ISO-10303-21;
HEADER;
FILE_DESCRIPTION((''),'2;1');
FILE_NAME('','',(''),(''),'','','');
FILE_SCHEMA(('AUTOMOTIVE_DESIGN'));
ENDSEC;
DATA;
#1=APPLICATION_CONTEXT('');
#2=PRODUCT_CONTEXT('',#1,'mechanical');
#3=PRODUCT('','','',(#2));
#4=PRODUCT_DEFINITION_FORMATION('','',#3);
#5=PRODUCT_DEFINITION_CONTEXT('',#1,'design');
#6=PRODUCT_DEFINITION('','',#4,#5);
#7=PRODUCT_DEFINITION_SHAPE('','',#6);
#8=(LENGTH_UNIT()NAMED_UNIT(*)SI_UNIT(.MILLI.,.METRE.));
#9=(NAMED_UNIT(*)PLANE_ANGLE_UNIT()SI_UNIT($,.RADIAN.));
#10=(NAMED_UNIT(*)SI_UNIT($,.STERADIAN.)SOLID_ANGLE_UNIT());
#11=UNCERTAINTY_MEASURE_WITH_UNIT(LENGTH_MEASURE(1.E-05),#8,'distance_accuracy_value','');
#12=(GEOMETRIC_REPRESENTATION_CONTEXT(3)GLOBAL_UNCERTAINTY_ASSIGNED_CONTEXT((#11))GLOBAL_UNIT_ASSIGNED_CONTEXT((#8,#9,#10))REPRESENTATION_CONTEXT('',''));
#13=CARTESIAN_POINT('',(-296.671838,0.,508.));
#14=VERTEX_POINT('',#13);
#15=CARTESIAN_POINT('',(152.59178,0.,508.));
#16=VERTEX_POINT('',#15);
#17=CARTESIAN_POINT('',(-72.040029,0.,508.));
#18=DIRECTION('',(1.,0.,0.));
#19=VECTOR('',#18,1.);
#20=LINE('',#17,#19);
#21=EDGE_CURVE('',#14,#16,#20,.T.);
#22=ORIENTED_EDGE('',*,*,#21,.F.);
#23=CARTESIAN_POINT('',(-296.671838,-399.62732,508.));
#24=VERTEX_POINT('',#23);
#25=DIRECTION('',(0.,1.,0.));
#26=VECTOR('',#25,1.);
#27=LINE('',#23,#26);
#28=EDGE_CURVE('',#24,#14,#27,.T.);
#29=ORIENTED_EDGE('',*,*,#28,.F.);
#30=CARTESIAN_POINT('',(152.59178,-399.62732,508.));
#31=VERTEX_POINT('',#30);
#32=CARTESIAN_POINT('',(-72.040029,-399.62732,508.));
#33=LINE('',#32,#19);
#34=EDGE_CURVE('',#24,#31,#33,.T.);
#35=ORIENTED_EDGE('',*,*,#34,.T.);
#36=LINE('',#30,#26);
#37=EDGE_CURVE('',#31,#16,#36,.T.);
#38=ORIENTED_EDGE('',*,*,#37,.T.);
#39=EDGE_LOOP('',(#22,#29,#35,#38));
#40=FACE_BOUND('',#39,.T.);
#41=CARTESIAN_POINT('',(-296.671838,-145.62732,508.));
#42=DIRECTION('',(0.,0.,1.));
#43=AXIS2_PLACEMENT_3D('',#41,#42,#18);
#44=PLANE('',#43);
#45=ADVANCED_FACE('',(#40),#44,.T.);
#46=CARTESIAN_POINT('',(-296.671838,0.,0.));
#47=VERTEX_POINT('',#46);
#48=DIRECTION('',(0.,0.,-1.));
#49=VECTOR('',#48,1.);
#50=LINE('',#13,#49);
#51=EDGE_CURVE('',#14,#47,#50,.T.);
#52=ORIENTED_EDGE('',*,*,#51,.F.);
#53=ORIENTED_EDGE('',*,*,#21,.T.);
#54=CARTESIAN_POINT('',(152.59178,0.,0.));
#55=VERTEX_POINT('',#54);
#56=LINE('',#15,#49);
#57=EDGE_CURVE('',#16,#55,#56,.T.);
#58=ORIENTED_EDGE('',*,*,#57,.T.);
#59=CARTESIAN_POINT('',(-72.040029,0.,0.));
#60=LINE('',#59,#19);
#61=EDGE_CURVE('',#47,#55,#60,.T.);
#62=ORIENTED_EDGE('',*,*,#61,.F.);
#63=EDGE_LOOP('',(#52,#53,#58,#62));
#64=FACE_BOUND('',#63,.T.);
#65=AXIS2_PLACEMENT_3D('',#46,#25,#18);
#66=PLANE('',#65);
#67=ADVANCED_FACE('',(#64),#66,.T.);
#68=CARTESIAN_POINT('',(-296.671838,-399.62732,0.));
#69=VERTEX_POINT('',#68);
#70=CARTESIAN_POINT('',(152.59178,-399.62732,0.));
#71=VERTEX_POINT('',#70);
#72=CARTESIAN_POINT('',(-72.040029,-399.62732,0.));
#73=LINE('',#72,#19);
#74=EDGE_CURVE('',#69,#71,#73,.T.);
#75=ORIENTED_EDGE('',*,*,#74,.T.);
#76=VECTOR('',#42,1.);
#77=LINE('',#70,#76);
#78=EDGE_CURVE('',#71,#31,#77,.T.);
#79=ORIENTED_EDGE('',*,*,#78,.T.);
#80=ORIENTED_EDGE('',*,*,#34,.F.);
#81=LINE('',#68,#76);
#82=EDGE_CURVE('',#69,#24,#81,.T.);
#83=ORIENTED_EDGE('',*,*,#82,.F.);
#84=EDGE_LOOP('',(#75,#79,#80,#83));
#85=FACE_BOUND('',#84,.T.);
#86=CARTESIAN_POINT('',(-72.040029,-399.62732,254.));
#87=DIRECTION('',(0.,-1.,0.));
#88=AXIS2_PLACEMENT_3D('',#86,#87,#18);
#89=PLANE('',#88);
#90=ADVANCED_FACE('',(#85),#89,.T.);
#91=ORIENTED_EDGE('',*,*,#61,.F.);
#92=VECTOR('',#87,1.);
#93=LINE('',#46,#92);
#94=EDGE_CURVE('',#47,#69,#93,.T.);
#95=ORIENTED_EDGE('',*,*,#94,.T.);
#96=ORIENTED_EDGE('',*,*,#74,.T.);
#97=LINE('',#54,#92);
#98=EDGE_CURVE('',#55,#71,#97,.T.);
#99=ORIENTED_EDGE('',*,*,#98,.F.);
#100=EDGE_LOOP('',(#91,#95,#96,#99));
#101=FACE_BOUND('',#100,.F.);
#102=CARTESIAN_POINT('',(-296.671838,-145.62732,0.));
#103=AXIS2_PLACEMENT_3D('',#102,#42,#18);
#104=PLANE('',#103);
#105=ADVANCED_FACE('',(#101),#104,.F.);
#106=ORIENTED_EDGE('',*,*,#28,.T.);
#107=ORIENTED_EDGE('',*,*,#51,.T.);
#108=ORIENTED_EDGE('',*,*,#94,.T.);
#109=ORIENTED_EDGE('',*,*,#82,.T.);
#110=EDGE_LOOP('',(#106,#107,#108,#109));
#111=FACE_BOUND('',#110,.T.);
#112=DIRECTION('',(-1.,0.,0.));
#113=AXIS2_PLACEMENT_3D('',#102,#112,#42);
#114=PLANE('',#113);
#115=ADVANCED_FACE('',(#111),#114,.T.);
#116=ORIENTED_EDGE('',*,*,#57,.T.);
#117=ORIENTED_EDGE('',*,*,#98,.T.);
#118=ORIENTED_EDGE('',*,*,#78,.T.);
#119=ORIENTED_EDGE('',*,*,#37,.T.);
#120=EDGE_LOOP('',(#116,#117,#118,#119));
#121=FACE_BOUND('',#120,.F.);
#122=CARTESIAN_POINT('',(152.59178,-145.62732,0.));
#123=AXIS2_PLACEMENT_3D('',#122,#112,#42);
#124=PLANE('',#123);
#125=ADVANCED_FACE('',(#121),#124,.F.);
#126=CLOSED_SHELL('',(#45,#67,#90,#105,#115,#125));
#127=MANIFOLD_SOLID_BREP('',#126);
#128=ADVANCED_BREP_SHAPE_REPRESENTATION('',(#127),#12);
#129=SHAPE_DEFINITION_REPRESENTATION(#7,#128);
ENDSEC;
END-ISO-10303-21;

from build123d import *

# Parameters (mm, degrees)
F1_W      = 449.263618
F1_H      = 145.62732
F2_DEPTH  = 508
F2_FACE_W = 449.263618
F2_FACE_H = 508
F3_DEPTH  = 254
F3_FACE_W = 449.263618
F3_FACE_H = 399.62732
F4_DEPTH  = 127
F5_DEPTH  = 127


with BuildPart() as f2:
    # F1 (on face) → F2 (new body)
    with BuildSketch(Plane.XY):
        with Locations((-72.040029, -72.81366)):
            Rectangle(F1_W, F1_H)
    extrude(amount=F2_DEPTH)

    # F2_face (on face) → F3 (join)
    with BuildSketch(Plane(origin=(-72.040029, -145.62732, 254), x_dir=(1, 0, 0), z_dir=(0, -1, 0))):
        Rectangle(F2_FACE_W, F2_FACE_H)
    extrude(amount=F3_DEPTH)

    # F3_face (on face) → F4 (join)
    with BuildSketch(Plane(origin=(-72.040029, -199.81366, 0), x_dir=(1, 0, 0), z_dir=(0, 0, -1))):
        Rectangle(F3_FACE_W, F3_FACE_H)
    extrude(amount=-F4_DEPTH)

    # F3_face (on face) → F5 (join)
    with BuildSketch(Plane(origin=(-72.040029, -199.81366, 0), x_dir=(1, 0, 0), z_dir=(0, 0, -1))):
        Rectangle(F3_FACE_W, F3_FACE_H)
    extrude(amount=-F5_DEPTH)


solid = f2.part
